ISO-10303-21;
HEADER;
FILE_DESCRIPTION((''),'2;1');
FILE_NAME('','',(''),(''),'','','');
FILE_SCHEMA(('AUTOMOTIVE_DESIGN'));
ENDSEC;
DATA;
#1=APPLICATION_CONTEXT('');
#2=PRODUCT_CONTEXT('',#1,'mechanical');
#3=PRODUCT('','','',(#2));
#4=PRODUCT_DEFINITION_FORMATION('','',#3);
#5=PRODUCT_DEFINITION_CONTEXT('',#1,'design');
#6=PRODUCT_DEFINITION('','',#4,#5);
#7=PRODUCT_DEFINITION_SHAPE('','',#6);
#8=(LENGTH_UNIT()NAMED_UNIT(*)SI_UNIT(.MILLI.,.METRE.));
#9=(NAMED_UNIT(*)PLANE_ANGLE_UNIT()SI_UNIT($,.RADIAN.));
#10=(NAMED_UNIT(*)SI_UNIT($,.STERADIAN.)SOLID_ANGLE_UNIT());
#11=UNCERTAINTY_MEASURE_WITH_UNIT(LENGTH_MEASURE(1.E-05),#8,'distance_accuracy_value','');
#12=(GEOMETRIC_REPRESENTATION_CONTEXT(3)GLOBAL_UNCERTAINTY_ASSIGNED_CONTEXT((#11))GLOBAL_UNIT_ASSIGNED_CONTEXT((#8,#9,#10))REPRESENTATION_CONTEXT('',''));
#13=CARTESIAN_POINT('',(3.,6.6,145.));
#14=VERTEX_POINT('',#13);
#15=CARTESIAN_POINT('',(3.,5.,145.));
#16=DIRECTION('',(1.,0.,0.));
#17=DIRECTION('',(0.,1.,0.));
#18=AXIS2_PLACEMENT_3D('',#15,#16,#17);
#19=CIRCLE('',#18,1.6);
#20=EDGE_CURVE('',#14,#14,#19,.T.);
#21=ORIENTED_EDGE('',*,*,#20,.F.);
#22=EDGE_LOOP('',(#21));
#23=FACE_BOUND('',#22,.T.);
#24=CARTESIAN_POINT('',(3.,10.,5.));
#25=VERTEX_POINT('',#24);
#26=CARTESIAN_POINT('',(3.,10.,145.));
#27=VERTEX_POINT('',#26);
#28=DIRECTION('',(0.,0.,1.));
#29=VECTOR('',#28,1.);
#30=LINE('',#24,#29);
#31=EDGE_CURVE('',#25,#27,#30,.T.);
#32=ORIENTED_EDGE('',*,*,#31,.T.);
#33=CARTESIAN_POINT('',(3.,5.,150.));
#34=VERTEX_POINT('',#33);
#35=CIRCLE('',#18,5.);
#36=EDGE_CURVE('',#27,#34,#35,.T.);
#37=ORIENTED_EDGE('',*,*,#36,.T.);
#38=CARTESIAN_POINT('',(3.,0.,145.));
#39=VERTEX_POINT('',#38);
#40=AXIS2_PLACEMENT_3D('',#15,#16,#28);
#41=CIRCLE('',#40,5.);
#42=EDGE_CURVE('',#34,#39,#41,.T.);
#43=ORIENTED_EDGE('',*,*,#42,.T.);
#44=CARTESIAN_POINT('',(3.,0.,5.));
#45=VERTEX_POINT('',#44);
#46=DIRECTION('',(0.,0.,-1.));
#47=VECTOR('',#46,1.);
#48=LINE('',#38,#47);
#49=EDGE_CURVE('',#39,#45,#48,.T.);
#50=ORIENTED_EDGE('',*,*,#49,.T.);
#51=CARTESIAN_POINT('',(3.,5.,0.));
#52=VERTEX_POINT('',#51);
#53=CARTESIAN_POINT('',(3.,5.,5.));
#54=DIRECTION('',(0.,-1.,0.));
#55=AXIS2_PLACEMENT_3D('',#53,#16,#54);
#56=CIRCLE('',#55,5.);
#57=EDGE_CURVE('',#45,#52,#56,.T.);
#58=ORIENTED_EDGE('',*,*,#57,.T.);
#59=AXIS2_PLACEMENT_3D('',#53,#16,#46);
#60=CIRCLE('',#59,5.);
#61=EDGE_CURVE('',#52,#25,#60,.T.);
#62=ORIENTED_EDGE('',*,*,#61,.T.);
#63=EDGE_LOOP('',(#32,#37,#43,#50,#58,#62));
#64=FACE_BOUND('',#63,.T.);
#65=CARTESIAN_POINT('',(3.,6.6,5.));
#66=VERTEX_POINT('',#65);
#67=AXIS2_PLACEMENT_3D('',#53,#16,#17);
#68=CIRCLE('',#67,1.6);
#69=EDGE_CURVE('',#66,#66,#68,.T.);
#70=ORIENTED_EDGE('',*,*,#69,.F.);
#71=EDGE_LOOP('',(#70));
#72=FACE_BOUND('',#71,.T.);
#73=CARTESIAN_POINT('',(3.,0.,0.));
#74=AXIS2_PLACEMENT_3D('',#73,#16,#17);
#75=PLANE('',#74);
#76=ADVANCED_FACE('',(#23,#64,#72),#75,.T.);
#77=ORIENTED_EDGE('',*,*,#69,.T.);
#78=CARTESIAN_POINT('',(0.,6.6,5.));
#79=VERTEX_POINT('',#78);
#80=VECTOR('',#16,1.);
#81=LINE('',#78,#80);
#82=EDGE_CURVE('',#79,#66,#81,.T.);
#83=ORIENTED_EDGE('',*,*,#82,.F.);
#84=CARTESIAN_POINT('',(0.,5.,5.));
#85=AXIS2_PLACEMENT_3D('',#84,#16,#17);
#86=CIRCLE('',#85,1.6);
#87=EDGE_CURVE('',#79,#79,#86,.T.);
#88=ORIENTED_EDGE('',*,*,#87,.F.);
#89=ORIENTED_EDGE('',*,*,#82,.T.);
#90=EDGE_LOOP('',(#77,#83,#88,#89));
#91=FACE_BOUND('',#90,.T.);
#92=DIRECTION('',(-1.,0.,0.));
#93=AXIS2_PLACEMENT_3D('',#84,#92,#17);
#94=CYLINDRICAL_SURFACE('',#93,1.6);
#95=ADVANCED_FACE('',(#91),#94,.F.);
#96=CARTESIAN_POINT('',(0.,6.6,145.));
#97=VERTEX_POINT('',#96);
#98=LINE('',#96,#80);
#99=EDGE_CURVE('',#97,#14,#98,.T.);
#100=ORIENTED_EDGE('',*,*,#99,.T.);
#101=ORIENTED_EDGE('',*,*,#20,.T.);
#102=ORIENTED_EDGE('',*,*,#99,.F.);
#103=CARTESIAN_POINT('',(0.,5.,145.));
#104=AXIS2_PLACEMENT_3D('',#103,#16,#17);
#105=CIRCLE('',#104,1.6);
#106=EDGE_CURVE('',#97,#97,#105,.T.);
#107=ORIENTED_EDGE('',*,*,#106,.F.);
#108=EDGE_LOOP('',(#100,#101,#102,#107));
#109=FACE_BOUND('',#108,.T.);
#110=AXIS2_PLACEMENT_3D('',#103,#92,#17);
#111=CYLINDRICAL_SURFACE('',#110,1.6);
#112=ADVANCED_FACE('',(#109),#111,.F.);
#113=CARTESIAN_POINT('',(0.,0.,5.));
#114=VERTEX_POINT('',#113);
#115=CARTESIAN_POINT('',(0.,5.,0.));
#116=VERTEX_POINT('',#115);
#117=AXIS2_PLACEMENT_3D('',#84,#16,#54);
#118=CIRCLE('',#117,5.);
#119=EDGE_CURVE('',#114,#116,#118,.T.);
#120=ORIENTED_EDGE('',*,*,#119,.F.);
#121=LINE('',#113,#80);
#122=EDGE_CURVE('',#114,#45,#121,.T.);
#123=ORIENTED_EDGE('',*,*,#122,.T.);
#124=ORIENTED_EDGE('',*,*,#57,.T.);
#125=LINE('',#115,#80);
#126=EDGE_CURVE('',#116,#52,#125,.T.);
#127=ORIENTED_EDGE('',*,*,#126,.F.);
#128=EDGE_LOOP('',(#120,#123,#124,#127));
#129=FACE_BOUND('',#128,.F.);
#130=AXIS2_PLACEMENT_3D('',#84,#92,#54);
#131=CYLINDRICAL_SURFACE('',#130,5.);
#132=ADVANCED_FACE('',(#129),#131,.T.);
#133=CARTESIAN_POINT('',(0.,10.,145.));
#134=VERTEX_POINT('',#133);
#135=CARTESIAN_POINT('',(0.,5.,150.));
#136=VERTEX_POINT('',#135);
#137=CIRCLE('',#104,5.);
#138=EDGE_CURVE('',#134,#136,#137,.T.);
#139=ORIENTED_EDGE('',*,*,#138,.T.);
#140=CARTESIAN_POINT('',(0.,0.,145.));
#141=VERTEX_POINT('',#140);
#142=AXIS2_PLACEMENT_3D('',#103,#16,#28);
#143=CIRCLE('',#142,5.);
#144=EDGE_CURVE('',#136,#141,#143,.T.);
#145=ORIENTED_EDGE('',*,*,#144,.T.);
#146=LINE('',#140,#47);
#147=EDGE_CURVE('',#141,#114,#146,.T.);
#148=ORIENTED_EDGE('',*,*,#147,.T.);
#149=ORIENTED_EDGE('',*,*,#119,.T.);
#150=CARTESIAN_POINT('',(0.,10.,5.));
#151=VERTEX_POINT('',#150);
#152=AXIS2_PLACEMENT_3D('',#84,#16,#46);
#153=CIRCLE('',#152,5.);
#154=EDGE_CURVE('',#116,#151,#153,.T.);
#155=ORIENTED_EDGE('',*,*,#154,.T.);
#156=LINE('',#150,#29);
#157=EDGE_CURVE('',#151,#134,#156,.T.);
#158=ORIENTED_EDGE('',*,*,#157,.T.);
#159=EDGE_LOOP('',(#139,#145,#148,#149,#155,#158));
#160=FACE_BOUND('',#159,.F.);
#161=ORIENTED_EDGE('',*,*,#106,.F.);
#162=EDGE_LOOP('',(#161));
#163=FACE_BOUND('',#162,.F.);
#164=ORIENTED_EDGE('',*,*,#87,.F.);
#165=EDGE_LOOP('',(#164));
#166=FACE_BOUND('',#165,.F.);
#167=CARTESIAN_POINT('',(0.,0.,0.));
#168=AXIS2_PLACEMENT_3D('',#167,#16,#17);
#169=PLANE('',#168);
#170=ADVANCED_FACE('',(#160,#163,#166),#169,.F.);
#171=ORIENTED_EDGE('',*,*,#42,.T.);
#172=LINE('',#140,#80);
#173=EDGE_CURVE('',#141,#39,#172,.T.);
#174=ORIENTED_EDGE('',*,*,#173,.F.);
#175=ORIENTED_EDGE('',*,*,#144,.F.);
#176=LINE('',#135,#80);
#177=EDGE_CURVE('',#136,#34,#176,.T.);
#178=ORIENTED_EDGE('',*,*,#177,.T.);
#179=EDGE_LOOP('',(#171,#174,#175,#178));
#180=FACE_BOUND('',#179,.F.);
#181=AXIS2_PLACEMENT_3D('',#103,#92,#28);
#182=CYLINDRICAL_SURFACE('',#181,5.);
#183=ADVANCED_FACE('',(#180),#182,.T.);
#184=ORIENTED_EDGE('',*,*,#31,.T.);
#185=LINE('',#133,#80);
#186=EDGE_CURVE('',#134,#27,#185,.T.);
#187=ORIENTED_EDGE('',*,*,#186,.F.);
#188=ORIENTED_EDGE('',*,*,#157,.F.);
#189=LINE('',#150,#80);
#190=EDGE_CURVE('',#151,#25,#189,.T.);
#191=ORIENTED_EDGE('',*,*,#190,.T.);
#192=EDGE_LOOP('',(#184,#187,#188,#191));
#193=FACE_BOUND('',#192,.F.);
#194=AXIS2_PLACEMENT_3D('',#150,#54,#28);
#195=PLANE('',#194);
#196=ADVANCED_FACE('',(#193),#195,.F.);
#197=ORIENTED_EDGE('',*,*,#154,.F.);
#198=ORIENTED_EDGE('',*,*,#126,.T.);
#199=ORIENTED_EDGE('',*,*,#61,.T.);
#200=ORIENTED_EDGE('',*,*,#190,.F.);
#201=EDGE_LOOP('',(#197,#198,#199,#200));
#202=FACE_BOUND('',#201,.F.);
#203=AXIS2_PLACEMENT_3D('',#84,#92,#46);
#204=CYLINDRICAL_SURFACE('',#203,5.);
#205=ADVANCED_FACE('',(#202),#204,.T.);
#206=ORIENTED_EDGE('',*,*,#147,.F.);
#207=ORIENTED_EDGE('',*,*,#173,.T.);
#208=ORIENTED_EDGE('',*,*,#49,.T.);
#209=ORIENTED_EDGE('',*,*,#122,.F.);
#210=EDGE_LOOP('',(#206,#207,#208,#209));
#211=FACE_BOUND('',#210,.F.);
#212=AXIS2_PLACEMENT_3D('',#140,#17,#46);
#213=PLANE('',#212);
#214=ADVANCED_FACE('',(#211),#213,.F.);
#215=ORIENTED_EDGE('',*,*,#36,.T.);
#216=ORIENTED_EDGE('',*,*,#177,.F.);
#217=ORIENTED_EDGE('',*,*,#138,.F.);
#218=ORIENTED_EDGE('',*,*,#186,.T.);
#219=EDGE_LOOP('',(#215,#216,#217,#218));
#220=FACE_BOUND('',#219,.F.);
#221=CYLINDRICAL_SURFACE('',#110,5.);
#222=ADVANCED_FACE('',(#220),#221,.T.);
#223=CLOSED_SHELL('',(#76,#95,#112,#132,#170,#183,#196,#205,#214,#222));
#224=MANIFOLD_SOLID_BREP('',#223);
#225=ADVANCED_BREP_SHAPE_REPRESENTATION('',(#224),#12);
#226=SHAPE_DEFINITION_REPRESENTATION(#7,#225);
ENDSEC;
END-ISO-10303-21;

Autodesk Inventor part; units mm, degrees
ref_plane "YZ Plane" through (0, 0, 0) normal (1, 0, 0) x (0, 1, 0)
ref_plane "XZ Plane" through (0, 0, 0) normal (0, 1, 0) x (-1, 0, 0)
ref_plane "XY Plane" through (0, 0, 0) normal (0, 0, 1) x (1, 0, 0)
sketch "Szkic1" plane through (0, 0, 0) normal (1, 0, 0) x (0, 1, 0)
  line L0 (5, 0) -> (5, 0)
  line L1 (10, 5) -> (10, 145)
  line L2 (5, 150) -> (5, 150)
  line L3 (0, 145) -> (0, 5)
  arc A0 (10, 145) -> (5, 150) centre (5, 145) ccw
  arc A1 (5, 150) -> (0, 145) centre (5, 145) ccw
  arc A2 (5, 0) -> (10, 5) centre (5, 5) ccw
  arc A3 (0, 5) -> (5, 0) centre (5, 5) ccw
  circle A4 centre (5, 145) radius 1.6
  circle A5 centre (5, 5) radius 1.6
  point P0 (0, 0)
  point P1 (10, 150)
  point P2 (0, 150)
  dimension "d0" = 10
  dimension "d1" = 5
  dimension "d2" = 140
  dimension "d3" = 3.2
  dimension "d4" = 3.2
extrude "Wyciągnięcie proste1" add sketch "Szkic1" along normal blind 3
properties part number "korbowód"
